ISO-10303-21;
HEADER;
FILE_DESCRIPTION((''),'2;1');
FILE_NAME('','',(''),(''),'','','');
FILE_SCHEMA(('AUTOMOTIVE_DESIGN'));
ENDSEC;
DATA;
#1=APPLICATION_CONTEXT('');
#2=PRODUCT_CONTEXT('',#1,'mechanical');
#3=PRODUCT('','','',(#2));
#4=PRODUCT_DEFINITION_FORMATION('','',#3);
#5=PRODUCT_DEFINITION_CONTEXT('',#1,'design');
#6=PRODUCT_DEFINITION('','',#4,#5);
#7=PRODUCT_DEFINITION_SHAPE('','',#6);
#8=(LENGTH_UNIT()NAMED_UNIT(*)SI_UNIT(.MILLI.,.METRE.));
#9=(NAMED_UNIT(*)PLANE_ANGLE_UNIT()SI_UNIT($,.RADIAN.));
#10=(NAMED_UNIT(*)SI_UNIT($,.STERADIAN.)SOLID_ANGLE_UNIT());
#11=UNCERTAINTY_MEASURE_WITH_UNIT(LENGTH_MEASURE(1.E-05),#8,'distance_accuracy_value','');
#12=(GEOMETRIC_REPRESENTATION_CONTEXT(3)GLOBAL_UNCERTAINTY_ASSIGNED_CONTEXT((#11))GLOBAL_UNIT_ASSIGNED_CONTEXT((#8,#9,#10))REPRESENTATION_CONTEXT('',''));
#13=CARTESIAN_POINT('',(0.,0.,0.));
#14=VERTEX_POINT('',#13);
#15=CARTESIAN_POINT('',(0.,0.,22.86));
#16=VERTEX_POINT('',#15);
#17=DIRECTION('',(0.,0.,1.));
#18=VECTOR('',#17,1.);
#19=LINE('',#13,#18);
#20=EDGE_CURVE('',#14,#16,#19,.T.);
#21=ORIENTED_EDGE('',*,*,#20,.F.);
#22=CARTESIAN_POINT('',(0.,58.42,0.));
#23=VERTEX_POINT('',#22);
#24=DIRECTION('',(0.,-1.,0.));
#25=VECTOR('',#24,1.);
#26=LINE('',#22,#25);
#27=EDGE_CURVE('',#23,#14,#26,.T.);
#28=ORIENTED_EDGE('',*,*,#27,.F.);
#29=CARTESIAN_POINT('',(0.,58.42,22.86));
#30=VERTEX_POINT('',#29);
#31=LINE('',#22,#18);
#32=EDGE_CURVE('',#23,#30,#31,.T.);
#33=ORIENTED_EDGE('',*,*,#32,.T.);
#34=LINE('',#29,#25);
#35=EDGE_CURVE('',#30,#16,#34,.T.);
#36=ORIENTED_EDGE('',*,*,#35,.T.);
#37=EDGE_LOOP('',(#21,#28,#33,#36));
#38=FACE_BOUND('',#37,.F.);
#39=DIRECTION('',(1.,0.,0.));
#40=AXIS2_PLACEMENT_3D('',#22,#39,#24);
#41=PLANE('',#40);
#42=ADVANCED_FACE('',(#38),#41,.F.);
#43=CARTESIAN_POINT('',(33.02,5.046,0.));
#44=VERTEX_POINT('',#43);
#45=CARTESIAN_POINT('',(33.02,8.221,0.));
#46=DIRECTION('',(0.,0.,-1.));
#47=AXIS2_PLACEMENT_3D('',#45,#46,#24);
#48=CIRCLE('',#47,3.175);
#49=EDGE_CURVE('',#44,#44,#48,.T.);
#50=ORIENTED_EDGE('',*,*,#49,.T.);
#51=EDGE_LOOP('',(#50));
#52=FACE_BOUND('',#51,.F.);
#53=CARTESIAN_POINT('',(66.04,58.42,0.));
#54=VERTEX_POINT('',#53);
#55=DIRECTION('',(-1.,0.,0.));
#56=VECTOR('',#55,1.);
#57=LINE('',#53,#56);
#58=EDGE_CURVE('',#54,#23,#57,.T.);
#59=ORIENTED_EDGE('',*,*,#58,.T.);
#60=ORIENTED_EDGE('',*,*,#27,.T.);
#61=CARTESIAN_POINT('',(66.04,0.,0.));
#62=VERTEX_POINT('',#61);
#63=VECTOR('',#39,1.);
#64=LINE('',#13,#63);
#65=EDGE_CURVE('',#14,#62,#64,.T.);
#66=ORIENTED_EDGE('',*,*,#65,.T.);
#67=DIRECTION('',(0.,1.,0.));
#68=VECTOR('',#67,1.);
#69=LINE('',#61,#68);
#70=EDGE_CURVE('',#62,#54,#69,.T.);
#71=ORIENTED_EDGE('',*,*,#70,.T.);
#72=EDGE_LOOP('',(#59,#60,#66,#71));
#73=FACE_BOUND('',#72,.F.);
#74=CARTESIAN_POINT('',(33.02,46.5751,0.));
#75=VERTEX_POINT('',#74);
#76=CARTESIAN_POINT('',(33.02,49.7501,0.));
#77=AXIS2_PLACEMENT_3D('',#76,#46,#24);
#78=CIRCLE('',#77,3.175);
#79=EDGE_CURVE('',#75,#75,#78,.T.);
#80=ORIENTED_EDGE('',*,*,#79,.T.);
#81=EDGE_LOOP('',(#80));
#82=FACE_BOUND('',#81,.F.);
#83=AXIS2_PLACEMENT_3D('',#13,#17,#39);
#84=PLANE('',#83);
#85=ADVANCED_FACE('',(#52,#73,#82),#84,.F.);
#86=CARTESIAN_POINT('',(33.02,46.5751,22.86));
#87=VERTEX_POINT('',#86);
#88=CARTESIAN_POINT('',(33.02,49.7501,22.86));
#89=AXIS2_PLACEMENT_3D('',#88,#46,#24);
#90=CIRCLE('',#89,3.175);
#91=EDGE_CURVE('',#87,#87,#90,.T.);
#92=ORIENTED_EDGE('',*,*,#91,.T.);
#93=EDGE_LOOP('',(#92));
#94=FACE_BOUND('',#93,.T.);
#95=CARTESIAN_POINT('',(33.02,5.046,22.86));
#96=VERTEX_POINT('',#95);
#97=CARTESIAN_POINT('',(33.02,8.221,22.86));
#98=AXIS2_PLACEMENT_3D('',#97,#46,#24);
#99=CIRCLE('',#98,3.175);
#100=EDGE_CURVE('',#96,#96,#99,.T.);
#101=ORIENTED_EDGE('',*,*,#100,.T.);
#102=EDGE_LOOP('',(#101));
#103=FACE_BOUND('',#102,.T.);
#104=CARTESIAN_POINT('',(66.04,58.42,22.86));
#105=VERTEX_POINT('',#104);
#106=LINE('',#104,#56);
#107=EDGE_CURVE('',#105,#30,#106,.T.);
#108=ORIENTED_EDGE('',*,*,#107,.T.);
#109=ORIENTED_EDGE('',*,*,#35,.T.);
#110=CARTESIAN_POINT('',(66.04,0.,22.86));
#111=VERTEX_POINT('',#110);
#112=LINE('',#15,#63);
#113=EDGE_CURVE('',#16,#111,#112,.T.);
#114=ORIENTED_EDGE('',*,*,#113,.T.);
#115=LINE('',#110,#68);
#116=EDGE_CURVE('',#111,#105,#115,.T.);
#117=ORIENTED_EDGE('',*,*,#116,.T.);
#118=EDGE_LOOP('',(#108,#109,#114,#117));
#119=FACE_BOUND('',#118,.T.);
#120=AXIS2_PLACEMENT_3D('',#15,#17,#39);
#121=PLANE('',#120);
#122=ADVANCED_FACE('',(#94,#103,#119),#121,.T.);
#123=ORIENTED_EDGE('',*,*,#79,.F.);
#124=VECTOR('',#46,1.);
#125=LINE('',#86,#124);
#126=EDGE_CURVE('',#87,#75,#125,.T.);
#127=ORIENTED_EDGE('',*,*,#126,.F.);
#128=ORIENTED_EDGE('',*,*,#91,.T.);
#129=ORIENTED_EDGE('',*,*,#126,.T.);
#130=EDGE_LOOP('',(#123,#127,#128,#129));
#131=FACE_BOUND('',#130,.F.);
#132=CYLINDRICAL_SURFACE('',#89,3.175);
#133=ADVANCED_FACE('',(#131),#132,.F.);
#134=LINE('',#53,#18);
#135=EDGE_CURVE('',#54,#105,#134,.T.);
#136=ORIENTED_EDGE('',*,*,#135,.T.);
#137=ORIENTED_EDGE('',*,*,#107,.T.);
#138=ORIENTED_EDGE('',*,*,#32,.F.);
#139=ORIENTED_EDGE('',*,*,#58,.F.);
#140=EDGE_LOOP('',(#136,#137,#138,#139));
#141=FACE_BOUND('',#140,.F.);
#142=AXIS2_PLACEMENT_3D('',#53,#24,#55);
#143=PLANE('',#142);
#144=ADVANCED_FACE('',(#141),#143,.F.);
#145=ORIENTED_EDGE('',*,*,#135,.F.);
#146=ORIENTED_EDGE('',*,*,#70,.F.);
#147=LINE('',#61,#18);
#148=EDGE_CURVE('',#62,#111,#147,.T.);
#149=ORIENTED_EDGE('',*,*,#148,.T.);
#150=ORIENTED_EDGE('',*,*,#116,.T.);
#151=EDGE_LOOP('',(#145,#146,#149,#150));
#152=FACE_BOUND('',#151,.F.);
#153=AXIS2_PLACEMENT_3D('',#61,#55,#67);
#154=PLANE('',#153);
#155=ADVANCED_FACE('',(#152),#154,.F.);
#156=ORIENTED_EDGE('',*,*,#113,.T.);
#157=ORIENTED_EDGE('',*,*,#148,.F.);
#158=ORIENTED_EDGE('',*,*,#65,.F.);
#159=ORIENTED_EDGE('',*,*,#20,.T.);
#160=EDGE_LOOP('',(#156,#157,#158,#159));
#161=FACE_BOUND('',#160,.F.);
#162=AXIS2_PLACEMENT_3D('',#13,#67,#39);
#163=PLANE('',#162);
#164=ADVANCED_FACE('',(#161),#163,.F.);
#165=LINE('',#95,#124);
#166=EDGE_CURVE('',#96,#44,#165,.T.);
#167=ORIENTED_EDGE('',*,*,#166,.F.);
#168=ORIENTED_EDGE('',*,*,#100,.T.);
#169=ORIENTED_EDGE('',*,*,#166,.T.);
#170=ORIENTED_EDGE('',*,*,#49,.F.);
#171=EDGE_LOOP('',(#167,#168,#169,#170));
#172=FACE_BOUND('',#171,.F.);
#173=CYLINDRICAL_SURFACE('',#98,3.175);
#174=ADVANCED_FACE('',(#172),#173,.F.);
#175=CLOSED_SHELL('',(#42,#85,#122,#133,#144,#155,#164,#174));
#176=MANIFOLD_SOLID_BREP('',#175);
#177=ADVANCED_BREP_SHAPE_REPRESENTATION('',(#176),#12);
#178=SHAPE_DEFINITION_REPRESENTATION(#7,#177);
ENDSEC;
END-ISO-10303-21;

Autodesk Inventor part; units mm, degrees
ref_plane "YZ Plane" through (0, 0, 0) normal (1, 0, 0) x (0, 1, 0)
ref_plane "XZ Plane" through (0, 0, 0) normal (0, 1, 0) x (-1, 0, 0)
ref_plane "XY Plane" through (0, 0, 0) normal (0, 0, 1) x (1, 0, 0)
sketch "Sketch1" plane through (0, 0, 0) normal (0, 0, 1) x (1, 0, 0)
  line L0 (0, 0) -> (66.04, 0)
  line L1 (66.04, 0) -> (66.04, 58.42)
  line L2 (66.04, 58.42) -> (0, 58.42)
  line L3 (0, 58.42) -> (0, 0)
  dimension "d0" = 66.04
  dimension "d1" = 58.42
extrude "Extrusion1" add sketch "Sketch1" along normal blind 22.86
sketch "Sketch2" plane through (0, 0, 22.86) normal (0, 0, 1) x (1, 0, 0)
  line L0 (0, 0) -> (66.04, 0) projected
  point P0 (33.02, 49.7501)
  point P1 (33.02, 8.221)
  point P2 (33.02, 0)
  point P3 (33.02, 0)
hole "Hole1" at (33.02, 49.7501, 22.86) at (33.02, 8.221, 22.86) direction (0, 0, -1) diameter 6.35 end through all
properties part number "+5V Regulator"
